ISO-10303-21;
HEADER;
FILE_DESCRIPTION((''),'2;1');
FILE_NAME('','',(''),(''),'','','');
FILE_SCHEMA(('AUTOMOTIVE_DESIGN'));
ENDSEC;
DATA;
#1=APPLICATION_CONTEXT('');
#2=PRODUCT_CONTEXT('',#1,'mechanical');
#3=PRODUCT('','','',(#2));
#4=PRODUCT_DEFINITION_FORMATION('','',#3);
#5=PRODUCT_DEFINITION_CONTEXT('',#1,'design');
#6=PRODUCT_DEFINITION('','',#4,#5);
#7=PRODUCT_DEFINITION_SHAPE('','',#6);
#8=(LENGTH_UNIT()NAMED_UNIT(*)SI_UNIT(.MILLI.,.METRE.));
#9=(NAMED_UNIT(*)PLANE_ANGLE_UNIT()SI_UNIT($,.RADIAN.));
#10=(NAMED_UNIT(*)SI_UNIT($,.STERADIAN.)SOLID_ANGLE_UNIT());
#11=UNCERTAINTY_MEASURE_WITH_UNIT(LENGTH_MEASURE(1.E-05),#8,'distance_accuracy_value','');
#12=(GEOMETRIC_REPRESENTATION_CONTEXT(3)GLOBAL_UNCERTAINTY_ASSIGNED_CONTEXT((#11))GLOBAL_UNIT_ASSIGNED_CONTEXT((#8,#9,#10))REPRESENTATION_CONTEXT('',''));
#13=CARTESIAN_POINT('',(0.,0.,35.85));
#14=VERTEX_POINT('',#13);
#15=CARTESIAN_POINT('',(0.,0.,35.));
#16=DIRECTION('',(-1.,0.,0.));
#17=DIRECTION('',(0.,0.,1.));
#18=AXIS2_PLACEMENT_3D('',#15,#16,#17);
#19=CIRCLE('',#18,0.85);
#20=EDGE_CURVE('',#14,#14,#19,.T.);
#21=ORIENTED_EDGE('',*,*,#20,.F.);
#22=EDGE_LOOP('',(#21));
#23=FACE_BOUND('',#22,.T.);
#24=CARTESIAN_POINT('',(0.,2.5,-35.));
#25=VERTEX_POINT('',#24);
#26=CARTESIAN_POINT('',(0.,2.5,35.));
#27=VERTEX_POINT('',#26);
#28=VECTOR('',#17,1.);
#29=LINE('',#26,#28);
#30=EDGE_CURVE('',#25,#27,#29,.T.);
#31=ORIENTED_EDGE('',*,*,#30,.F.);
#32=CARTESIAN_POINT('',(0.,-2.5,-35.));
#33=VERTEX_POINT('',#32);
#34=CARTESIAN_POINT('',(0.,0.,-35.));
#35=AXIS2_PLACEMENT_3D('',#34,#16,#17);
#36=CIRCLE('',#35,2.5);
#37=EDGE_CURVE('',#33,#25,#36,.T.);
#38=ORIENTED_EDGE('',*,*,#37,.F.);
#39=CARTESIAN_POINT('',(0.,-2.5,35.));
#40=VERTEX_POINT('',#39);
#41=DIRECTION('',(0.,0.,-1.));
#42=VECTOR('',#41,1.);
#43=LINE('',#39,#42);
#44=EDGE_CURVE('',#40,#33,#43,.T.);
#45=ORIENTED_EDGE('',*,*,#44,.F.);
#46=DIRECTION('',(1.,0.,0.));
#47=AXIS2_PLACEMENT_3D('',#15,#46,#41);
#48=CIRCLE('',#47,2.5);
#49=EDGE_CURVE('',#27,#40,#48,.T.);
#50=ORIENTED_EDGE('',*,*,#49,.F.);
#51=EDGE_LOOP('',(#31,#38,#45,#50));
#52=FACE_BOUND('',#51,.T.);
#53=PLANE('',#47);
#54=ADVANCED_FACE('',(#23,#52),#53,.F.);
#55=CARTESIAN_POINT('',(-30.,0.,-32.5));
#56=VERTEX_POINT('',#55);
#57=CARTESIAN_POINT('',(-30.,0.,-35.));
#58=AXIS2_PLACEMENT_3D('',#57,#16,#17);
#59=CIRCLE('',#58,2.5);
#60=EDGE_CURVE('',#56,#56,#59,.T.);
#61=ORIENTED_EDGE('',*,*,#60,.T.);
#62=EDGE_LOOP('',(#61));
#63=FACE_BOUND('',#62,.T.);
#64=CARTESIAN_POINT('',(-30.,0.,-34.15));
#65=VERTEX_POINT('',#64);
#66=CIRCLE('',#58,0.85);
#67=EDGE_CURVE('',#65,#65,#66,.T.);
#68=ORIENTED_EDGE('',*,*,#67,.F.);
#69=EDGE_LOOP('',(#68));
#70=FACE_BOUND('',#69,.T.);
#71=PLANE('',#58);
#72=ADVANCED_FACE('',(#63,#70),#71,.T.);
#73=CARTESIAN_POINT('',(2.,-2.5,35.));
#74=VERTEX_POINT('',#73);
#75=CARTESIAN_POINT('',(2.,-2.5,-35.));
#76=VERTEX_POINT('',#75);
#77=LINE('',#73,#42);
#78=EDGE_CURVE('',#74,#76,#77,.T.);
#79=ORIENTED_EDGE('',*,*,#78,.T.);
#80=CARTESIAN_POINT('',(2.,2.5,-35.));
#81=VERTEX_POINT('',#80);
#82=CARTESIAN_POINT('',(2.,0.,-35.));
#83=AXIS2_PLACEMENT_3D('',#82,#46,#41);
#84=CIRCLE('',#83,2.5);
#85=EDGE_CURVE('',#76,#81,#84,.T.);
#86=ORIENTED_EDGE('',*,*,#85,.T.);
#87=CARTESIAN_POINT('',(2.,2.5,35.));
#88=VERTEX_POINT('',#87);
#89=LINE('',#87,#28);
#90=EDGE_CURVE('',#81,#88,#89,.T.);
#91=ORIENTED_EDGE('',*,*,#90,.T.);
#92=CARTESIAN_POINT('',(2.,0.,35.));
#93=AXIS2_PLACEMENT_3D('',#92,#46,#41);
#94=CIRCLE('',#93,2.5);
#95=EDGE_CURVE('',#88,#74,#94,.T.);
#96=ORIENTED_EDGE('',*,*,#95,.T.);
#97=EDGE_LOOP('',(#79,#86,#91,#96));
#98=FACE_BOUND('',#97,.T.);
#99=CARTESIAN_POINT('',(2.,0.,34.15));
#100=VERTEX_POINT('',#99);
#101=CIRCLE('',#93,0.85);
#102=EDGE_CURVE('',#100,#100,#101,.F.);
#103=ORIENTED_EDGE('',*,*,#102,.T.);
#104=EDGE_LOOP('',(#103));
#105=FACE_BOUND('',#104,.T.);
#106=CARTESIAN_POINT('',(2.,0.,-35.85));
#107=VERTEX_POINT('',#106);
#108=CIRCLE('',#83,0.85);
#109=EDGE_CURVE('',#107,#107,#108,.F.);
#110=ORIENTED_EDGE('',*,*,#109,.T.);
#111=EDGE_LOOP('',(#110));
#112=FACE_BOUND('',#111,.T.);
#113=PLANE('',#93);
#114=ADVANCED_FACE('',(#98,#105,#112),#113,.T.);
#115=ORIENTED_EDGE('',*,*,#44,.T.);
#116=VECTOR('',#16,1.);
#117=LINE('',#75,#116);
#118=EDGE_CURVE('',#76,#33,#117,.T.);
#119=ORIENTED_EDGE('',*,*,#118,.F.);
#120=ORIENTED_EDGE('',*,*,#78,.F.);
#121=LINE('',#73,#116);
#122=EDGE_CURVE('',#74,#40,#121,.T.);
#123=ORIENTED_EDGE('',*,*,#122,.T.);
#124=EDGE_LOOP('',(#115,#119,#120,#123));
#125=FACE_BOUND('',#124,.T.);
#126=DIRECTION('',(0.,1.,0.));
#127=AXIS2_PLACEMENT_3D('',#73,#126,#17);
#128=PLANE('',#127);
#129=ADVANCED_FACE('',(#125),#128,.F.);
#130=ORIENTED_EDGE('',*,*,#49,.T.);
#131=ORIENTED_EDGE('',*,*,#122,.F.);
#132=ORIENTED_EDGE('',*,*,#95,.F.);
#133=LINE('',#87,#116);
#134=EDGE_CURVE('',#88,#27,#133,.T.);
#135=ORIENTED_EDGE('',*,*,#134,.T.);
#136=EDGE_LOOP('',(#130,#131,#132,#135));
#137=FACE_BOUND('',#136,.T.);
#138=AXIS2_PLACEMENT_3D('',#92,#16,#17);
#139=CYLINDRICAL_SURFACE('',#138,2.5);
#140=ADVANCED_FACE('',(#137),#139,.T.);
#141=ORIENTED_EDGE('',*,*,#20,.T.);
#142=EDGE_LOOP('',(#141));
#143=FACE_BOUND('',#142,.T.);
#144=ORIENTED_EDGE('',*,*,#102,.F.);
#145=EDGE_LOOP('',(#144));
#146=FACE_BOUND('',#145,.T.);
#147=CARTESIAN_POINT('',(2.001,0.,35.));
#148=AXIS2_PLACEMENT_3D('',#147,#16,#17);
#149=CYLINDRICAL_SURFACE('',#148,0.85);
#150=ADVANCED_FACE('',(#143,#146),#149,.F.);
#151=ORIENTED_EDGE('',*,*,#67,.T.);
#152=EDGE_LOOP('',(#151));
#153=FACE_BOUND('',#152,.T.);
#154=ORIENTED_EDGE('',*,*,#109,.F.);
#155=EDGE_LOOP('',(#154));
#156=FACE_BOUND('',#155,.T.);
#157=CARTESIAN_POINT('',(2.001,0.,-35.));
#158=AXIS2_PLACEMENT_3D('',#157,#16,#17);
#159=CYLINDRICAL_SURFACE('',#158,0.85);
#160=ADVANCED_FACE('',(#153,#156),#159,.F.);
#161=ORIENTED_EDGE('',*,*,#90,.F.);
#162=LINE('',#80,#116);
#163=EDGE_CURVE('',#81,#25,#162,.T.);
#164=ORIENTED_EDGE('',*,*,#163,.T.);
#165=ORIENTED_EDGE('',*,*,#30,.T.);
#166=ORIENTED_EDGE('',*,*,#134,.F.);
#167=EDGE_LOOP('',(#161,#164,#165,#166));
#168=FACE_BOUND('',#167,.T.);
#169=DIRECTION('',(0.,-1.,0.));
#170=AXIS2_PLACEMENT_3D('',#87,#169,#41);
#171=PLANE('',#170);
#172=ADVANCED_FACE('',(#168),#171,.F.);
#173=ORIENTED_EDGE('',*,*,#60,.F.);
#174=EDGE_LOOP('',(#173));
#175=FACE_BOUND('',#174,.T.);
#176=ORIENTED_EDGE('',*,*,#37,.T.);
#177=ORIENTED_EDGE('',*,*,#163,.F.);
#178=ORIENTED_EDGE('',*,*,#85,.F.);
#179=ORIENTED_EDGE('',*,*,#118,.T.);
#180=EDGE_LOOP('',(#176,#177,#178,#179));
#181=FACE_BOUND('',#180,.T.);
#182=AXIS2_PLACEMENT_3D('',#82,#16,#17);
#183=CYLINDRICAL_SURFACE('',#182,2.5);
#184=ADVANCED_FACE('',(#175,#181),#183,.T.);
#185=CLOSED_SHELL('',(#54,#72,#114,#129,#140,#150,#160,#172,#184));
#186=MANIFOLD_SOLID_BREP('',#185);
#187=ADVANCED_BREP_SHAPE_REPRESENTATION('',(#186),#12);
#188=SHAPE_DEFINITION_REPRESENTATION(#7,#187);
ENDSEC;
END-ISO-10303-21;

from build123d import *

# Parameters (mm, degrees)
RESSALTO_EXTRUS_O1_DEPTH = 2
RESSALTO_EXTRUS_O2_START = 30
ESBO_O2_R                = 2.5
RESSALTO_EXTRUS_O2_DEPTH = 30
CORTE_EXTRUS_O1_REACH    = 51.361
ESBO_O3_R                = 0.85
CORTE_EXTRUS_O2_REACH    = 50.088
ESBO_O4_R                = 0.85


with BuildPart() as part:
    # Esboço1 → Ressalto-extrusão1 (new body)
    with BuildSketch(Plane(origin=(0, 0, 0), x_dir=(0, 0, -1), z_dir=(1, 0, 0))):
        with BuildLine():
            Line((-35, 2.5), (35, 2.5))
            ThreePointArc((35, 2.5), (37.5, 0), (35, -2.5))
            Line((35, -2.5), (-35, -2.5))
            ThreePointArc((-35, -2.5), (-37.5, 0), (-35, 2.5))
        make_face()
    extrude(amount=RESSALTO_EXTRUS_O1_DEPTH)

    # Esboço2 → Ressalto-extrusão2 (add)
    with BuildSketch(Plane.ZY.offset(RESSALTO_EXTRUS_O2_START)):
        with Locations((-35, 0)):
            Circle(ESBO_O2_R)
    extrude(amount=-RESSALTO_EXTRUS_O2_DEPTH)

    # Esboço3 → Corte-extrusão1 (cut, up to next)
    with BuildSketch(Plane.ZY.offset(30), mode=Mode.PRIVATE) as corte_extrus_o1_sk1:
        with Locations((-35, 0)):
            Circle(ESBO_O3_R)
    corte_extrus_o1_tool1 = extrude(corte_extrus_o1_sk1.sketch, amount=-CORTE_EXTRUS_O1_REACH, mode=Mode.PRIVATE) & part.part
    add(corte_extrus_o1_tool1.solids().sort_by_distance((-30, 0, -35))[0], mode=Mode.SUBTRACT)

    # Esboço4 → Corte-extrusão2 (cut, up to next)
    with BuildSketch(Plane.ZY, mode=Mode.PRIVATE) as corte_extrus_o2_sk1:
        with Locations((35, 0)):
            Circle(ESBO_O4_R)
    corte_extrus_o2_tool1 = extrude(corte_extrus_o2_sk1.sketch, amount=-CORTE_EXTRUS_O2_REACH, mode=Mode.PRIVATE) & part.part
    add(corte_extrus_o2_tool1.solids().sort_by_distance((0, 0, 35))[0], mode=Mode.SUBTRACT)


solid = part.part
